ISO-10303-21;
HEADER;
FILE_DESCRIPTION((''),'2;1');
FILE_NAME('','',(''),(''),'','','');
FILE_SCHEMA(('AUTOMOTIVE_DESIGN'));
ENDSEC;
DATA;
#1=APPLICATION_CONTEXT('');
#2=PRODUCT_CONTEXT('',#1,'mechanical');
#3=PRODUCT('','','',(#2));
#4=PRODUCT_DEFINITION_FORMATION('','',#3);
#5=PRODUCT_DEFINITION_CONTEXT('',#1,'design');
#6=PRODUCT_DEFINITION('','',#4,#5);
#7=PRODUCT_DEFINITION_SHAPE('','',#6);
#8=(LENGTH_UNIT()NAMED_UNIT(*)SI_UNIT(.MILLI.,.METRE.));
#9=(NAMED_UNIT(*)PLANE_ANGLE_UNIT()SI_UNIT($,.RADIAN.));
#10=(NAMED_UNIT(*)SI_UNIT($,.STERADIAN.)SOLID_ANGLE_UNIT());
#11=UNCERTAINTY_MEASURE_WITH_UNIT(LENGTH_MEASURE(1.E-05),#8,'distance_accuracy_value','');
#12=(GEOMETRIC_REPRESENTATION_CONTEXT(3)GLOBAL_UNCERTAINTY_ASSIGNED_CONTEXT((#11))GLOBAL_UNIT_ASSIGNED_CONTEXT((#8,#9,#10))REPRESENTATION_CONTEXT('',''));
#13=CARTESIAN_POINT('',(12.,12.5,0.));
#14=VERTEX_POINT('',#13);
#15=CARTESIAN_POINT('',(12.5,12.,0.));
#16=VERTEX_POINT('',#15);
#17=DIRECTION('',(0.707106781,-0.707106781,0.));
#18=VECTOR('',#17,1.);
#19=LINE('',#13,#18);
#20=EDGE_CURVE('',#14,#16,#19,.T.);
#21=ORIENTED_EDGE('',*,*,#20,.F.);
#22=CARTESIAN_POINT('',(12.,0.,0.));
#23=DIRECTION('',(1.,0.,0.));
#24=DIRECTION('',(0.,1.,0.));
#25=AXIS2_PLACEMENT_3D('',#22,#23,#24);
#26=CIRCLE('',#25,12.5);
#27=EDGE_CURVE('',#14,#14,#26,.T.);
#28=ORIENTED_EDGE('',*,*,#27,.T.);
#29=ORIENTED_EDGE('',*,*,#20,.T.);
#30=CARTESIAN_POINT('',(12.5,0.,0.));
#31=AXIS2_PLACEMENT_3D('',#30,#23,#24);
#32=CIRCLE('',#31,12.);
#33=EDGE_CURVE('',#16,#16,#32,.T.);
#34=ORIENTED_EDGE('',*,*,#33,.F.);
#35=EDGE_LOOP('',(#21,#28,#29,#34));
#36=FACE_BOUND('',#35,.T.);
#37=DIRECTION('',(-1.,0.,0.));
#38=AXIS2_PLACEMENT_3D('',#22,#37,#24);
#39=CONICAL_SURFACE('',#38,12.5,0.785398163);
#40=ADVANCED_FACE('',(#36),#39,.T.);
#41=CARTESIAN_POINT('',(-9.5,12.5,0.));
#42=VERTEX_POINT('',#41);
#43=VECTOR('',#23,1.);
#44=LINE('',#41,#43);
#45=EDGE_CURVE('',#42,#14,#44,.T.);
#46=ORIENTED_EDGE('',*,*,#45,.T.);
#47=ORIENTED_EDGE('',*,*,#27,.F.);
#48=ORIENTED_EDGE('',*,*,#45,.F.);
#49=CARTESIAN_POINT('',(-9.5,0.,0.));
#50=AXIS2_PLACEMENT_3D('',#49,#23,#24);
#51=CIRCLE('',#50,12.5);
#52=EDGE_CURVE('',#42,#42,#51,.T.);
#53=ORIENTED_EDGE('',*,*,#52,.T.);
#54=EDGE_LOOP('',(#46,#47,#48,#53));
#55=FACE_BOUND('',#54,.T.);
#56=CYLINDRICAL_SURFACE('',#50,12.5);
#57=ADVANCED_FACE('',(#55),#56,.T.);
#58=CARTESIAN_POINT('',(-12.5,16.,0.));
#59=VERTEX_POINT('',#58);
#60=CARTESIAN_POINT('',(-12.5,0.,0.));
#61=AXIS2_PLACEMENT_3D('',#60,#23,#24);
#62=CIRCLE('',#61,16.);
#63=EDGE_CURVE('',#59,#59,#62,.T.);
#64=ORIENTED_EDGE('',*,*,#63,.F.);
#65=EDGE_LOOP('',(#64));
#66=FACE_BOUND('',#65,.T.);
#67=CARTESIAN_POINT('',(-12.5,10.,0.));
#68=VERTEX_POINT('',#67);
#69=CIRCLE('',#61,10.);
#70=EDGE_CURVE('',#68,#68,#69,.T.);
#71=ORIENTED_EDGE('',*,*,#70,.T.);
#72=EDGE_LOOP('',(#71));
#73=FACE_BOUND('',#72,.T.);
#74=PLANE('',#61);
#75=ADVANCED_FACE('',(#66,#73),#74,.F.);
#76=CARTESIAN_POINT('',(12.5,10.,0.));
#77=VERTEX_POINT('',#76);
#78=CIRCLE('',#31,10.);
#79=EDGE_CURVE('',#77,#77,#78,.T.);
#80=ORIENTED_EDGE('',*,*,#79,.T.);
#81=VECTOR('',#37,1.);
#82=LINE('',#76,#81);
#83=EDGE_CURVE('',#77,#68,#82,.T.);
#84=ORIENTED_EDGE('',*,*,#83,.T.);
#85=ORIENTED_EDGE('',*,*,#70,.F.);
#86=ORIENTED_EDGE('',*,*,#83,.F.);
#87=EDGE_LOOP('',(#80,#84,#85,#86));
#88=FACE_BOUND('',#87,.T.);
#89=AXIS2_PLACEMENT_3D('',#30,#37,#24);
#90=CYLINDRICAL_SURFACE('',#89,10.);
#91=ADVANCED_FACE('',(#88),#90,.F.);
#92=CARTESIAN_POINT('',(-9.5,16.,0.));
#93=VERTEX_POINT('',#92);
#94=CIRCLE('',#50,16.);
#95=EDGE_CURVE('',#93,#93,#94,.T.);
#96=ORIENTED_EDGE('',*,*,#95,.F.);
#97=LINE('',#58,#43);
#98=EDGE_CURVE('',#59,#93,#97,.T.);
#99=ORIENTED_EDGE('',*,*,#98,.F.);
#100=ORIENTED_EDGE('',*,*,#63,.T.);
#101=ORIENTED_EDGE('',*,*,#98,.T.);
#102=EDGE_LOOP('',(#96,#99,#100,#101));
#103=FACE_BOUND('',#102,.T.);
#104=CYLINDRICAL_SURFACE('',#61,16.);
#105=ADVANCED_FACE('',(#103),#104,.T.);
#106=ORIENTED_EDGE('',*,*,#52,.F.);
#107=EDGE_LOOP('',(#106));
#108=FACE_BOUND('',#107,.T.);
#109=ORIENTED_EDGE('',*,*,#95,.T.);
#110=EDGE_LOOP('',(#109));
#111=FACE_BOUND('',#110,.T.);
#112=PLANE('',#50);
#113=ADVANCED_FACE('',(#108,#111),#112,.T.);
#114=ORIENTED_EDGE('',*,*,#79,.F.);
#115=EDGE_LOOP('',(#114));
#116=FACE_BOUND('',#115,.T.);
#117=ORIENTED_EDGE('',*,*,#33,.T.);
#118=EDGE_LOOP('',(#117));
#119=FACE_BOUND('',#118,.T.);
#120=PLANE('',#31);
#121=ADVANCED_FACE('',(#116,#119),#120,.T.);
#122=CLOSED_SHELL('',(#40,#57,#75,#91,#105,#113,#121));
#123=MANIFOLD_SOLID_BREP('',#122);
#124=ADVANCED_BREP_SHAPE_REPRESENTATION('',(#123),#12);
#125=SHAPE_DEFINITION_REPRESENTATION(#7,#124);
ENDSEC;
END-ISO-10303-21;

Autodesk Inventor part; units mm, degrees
ref_plane "YZ Plane" through (0, 0, 0) normal (1, 0, 0) x (0, 1, 0)
ref_plane "XZ Plane" through (0, 0, 0) normal (0, 1, 0) x (-1, 0, 0)
ref_plane "XY Plane" through (0, 0, 0) normal (0, 0, 1) x (1, 0, 0)
sketch "Sketch1" plane through (0, 0, 0) normal (0, 0, 1) x (1, 0, 0)
  line L0 (-12.5, 0) -> (0, 0)
  line L1 (0, 0) -> (12.5, 0)
  line L2 (-12.5, 10) -> (-12.5, 16)
  line L3 (-12.5, 16) -> (-9.5, 16)
  line L4 (-9.5, 16) -> (-9.5, 12.5)
  line L5 (-9.5, 12.5) -> (12.5, 12.5)
  line L6 (12.5, 12.5) -> (12.5, 10)
  line L7 (12.5, 10) -> (-12.5, 10)
  dimension "d0" = 25
  dimension "d1" = 22
  dimension "d2" = 20
  dimension "d3" = 25
  dimension "d4" = 32
revolve "Revolution1" add sketch "Sketch1" angle 360 about axis through (-12.5, 0, 0) along (1, 0, 0)
chamfer "Chamfer1" distance 0.5 angle 45 1 edges at (12.5, -12.5, 0)
properties part number "03-bushing" material "Brass, Soft Yellow"
